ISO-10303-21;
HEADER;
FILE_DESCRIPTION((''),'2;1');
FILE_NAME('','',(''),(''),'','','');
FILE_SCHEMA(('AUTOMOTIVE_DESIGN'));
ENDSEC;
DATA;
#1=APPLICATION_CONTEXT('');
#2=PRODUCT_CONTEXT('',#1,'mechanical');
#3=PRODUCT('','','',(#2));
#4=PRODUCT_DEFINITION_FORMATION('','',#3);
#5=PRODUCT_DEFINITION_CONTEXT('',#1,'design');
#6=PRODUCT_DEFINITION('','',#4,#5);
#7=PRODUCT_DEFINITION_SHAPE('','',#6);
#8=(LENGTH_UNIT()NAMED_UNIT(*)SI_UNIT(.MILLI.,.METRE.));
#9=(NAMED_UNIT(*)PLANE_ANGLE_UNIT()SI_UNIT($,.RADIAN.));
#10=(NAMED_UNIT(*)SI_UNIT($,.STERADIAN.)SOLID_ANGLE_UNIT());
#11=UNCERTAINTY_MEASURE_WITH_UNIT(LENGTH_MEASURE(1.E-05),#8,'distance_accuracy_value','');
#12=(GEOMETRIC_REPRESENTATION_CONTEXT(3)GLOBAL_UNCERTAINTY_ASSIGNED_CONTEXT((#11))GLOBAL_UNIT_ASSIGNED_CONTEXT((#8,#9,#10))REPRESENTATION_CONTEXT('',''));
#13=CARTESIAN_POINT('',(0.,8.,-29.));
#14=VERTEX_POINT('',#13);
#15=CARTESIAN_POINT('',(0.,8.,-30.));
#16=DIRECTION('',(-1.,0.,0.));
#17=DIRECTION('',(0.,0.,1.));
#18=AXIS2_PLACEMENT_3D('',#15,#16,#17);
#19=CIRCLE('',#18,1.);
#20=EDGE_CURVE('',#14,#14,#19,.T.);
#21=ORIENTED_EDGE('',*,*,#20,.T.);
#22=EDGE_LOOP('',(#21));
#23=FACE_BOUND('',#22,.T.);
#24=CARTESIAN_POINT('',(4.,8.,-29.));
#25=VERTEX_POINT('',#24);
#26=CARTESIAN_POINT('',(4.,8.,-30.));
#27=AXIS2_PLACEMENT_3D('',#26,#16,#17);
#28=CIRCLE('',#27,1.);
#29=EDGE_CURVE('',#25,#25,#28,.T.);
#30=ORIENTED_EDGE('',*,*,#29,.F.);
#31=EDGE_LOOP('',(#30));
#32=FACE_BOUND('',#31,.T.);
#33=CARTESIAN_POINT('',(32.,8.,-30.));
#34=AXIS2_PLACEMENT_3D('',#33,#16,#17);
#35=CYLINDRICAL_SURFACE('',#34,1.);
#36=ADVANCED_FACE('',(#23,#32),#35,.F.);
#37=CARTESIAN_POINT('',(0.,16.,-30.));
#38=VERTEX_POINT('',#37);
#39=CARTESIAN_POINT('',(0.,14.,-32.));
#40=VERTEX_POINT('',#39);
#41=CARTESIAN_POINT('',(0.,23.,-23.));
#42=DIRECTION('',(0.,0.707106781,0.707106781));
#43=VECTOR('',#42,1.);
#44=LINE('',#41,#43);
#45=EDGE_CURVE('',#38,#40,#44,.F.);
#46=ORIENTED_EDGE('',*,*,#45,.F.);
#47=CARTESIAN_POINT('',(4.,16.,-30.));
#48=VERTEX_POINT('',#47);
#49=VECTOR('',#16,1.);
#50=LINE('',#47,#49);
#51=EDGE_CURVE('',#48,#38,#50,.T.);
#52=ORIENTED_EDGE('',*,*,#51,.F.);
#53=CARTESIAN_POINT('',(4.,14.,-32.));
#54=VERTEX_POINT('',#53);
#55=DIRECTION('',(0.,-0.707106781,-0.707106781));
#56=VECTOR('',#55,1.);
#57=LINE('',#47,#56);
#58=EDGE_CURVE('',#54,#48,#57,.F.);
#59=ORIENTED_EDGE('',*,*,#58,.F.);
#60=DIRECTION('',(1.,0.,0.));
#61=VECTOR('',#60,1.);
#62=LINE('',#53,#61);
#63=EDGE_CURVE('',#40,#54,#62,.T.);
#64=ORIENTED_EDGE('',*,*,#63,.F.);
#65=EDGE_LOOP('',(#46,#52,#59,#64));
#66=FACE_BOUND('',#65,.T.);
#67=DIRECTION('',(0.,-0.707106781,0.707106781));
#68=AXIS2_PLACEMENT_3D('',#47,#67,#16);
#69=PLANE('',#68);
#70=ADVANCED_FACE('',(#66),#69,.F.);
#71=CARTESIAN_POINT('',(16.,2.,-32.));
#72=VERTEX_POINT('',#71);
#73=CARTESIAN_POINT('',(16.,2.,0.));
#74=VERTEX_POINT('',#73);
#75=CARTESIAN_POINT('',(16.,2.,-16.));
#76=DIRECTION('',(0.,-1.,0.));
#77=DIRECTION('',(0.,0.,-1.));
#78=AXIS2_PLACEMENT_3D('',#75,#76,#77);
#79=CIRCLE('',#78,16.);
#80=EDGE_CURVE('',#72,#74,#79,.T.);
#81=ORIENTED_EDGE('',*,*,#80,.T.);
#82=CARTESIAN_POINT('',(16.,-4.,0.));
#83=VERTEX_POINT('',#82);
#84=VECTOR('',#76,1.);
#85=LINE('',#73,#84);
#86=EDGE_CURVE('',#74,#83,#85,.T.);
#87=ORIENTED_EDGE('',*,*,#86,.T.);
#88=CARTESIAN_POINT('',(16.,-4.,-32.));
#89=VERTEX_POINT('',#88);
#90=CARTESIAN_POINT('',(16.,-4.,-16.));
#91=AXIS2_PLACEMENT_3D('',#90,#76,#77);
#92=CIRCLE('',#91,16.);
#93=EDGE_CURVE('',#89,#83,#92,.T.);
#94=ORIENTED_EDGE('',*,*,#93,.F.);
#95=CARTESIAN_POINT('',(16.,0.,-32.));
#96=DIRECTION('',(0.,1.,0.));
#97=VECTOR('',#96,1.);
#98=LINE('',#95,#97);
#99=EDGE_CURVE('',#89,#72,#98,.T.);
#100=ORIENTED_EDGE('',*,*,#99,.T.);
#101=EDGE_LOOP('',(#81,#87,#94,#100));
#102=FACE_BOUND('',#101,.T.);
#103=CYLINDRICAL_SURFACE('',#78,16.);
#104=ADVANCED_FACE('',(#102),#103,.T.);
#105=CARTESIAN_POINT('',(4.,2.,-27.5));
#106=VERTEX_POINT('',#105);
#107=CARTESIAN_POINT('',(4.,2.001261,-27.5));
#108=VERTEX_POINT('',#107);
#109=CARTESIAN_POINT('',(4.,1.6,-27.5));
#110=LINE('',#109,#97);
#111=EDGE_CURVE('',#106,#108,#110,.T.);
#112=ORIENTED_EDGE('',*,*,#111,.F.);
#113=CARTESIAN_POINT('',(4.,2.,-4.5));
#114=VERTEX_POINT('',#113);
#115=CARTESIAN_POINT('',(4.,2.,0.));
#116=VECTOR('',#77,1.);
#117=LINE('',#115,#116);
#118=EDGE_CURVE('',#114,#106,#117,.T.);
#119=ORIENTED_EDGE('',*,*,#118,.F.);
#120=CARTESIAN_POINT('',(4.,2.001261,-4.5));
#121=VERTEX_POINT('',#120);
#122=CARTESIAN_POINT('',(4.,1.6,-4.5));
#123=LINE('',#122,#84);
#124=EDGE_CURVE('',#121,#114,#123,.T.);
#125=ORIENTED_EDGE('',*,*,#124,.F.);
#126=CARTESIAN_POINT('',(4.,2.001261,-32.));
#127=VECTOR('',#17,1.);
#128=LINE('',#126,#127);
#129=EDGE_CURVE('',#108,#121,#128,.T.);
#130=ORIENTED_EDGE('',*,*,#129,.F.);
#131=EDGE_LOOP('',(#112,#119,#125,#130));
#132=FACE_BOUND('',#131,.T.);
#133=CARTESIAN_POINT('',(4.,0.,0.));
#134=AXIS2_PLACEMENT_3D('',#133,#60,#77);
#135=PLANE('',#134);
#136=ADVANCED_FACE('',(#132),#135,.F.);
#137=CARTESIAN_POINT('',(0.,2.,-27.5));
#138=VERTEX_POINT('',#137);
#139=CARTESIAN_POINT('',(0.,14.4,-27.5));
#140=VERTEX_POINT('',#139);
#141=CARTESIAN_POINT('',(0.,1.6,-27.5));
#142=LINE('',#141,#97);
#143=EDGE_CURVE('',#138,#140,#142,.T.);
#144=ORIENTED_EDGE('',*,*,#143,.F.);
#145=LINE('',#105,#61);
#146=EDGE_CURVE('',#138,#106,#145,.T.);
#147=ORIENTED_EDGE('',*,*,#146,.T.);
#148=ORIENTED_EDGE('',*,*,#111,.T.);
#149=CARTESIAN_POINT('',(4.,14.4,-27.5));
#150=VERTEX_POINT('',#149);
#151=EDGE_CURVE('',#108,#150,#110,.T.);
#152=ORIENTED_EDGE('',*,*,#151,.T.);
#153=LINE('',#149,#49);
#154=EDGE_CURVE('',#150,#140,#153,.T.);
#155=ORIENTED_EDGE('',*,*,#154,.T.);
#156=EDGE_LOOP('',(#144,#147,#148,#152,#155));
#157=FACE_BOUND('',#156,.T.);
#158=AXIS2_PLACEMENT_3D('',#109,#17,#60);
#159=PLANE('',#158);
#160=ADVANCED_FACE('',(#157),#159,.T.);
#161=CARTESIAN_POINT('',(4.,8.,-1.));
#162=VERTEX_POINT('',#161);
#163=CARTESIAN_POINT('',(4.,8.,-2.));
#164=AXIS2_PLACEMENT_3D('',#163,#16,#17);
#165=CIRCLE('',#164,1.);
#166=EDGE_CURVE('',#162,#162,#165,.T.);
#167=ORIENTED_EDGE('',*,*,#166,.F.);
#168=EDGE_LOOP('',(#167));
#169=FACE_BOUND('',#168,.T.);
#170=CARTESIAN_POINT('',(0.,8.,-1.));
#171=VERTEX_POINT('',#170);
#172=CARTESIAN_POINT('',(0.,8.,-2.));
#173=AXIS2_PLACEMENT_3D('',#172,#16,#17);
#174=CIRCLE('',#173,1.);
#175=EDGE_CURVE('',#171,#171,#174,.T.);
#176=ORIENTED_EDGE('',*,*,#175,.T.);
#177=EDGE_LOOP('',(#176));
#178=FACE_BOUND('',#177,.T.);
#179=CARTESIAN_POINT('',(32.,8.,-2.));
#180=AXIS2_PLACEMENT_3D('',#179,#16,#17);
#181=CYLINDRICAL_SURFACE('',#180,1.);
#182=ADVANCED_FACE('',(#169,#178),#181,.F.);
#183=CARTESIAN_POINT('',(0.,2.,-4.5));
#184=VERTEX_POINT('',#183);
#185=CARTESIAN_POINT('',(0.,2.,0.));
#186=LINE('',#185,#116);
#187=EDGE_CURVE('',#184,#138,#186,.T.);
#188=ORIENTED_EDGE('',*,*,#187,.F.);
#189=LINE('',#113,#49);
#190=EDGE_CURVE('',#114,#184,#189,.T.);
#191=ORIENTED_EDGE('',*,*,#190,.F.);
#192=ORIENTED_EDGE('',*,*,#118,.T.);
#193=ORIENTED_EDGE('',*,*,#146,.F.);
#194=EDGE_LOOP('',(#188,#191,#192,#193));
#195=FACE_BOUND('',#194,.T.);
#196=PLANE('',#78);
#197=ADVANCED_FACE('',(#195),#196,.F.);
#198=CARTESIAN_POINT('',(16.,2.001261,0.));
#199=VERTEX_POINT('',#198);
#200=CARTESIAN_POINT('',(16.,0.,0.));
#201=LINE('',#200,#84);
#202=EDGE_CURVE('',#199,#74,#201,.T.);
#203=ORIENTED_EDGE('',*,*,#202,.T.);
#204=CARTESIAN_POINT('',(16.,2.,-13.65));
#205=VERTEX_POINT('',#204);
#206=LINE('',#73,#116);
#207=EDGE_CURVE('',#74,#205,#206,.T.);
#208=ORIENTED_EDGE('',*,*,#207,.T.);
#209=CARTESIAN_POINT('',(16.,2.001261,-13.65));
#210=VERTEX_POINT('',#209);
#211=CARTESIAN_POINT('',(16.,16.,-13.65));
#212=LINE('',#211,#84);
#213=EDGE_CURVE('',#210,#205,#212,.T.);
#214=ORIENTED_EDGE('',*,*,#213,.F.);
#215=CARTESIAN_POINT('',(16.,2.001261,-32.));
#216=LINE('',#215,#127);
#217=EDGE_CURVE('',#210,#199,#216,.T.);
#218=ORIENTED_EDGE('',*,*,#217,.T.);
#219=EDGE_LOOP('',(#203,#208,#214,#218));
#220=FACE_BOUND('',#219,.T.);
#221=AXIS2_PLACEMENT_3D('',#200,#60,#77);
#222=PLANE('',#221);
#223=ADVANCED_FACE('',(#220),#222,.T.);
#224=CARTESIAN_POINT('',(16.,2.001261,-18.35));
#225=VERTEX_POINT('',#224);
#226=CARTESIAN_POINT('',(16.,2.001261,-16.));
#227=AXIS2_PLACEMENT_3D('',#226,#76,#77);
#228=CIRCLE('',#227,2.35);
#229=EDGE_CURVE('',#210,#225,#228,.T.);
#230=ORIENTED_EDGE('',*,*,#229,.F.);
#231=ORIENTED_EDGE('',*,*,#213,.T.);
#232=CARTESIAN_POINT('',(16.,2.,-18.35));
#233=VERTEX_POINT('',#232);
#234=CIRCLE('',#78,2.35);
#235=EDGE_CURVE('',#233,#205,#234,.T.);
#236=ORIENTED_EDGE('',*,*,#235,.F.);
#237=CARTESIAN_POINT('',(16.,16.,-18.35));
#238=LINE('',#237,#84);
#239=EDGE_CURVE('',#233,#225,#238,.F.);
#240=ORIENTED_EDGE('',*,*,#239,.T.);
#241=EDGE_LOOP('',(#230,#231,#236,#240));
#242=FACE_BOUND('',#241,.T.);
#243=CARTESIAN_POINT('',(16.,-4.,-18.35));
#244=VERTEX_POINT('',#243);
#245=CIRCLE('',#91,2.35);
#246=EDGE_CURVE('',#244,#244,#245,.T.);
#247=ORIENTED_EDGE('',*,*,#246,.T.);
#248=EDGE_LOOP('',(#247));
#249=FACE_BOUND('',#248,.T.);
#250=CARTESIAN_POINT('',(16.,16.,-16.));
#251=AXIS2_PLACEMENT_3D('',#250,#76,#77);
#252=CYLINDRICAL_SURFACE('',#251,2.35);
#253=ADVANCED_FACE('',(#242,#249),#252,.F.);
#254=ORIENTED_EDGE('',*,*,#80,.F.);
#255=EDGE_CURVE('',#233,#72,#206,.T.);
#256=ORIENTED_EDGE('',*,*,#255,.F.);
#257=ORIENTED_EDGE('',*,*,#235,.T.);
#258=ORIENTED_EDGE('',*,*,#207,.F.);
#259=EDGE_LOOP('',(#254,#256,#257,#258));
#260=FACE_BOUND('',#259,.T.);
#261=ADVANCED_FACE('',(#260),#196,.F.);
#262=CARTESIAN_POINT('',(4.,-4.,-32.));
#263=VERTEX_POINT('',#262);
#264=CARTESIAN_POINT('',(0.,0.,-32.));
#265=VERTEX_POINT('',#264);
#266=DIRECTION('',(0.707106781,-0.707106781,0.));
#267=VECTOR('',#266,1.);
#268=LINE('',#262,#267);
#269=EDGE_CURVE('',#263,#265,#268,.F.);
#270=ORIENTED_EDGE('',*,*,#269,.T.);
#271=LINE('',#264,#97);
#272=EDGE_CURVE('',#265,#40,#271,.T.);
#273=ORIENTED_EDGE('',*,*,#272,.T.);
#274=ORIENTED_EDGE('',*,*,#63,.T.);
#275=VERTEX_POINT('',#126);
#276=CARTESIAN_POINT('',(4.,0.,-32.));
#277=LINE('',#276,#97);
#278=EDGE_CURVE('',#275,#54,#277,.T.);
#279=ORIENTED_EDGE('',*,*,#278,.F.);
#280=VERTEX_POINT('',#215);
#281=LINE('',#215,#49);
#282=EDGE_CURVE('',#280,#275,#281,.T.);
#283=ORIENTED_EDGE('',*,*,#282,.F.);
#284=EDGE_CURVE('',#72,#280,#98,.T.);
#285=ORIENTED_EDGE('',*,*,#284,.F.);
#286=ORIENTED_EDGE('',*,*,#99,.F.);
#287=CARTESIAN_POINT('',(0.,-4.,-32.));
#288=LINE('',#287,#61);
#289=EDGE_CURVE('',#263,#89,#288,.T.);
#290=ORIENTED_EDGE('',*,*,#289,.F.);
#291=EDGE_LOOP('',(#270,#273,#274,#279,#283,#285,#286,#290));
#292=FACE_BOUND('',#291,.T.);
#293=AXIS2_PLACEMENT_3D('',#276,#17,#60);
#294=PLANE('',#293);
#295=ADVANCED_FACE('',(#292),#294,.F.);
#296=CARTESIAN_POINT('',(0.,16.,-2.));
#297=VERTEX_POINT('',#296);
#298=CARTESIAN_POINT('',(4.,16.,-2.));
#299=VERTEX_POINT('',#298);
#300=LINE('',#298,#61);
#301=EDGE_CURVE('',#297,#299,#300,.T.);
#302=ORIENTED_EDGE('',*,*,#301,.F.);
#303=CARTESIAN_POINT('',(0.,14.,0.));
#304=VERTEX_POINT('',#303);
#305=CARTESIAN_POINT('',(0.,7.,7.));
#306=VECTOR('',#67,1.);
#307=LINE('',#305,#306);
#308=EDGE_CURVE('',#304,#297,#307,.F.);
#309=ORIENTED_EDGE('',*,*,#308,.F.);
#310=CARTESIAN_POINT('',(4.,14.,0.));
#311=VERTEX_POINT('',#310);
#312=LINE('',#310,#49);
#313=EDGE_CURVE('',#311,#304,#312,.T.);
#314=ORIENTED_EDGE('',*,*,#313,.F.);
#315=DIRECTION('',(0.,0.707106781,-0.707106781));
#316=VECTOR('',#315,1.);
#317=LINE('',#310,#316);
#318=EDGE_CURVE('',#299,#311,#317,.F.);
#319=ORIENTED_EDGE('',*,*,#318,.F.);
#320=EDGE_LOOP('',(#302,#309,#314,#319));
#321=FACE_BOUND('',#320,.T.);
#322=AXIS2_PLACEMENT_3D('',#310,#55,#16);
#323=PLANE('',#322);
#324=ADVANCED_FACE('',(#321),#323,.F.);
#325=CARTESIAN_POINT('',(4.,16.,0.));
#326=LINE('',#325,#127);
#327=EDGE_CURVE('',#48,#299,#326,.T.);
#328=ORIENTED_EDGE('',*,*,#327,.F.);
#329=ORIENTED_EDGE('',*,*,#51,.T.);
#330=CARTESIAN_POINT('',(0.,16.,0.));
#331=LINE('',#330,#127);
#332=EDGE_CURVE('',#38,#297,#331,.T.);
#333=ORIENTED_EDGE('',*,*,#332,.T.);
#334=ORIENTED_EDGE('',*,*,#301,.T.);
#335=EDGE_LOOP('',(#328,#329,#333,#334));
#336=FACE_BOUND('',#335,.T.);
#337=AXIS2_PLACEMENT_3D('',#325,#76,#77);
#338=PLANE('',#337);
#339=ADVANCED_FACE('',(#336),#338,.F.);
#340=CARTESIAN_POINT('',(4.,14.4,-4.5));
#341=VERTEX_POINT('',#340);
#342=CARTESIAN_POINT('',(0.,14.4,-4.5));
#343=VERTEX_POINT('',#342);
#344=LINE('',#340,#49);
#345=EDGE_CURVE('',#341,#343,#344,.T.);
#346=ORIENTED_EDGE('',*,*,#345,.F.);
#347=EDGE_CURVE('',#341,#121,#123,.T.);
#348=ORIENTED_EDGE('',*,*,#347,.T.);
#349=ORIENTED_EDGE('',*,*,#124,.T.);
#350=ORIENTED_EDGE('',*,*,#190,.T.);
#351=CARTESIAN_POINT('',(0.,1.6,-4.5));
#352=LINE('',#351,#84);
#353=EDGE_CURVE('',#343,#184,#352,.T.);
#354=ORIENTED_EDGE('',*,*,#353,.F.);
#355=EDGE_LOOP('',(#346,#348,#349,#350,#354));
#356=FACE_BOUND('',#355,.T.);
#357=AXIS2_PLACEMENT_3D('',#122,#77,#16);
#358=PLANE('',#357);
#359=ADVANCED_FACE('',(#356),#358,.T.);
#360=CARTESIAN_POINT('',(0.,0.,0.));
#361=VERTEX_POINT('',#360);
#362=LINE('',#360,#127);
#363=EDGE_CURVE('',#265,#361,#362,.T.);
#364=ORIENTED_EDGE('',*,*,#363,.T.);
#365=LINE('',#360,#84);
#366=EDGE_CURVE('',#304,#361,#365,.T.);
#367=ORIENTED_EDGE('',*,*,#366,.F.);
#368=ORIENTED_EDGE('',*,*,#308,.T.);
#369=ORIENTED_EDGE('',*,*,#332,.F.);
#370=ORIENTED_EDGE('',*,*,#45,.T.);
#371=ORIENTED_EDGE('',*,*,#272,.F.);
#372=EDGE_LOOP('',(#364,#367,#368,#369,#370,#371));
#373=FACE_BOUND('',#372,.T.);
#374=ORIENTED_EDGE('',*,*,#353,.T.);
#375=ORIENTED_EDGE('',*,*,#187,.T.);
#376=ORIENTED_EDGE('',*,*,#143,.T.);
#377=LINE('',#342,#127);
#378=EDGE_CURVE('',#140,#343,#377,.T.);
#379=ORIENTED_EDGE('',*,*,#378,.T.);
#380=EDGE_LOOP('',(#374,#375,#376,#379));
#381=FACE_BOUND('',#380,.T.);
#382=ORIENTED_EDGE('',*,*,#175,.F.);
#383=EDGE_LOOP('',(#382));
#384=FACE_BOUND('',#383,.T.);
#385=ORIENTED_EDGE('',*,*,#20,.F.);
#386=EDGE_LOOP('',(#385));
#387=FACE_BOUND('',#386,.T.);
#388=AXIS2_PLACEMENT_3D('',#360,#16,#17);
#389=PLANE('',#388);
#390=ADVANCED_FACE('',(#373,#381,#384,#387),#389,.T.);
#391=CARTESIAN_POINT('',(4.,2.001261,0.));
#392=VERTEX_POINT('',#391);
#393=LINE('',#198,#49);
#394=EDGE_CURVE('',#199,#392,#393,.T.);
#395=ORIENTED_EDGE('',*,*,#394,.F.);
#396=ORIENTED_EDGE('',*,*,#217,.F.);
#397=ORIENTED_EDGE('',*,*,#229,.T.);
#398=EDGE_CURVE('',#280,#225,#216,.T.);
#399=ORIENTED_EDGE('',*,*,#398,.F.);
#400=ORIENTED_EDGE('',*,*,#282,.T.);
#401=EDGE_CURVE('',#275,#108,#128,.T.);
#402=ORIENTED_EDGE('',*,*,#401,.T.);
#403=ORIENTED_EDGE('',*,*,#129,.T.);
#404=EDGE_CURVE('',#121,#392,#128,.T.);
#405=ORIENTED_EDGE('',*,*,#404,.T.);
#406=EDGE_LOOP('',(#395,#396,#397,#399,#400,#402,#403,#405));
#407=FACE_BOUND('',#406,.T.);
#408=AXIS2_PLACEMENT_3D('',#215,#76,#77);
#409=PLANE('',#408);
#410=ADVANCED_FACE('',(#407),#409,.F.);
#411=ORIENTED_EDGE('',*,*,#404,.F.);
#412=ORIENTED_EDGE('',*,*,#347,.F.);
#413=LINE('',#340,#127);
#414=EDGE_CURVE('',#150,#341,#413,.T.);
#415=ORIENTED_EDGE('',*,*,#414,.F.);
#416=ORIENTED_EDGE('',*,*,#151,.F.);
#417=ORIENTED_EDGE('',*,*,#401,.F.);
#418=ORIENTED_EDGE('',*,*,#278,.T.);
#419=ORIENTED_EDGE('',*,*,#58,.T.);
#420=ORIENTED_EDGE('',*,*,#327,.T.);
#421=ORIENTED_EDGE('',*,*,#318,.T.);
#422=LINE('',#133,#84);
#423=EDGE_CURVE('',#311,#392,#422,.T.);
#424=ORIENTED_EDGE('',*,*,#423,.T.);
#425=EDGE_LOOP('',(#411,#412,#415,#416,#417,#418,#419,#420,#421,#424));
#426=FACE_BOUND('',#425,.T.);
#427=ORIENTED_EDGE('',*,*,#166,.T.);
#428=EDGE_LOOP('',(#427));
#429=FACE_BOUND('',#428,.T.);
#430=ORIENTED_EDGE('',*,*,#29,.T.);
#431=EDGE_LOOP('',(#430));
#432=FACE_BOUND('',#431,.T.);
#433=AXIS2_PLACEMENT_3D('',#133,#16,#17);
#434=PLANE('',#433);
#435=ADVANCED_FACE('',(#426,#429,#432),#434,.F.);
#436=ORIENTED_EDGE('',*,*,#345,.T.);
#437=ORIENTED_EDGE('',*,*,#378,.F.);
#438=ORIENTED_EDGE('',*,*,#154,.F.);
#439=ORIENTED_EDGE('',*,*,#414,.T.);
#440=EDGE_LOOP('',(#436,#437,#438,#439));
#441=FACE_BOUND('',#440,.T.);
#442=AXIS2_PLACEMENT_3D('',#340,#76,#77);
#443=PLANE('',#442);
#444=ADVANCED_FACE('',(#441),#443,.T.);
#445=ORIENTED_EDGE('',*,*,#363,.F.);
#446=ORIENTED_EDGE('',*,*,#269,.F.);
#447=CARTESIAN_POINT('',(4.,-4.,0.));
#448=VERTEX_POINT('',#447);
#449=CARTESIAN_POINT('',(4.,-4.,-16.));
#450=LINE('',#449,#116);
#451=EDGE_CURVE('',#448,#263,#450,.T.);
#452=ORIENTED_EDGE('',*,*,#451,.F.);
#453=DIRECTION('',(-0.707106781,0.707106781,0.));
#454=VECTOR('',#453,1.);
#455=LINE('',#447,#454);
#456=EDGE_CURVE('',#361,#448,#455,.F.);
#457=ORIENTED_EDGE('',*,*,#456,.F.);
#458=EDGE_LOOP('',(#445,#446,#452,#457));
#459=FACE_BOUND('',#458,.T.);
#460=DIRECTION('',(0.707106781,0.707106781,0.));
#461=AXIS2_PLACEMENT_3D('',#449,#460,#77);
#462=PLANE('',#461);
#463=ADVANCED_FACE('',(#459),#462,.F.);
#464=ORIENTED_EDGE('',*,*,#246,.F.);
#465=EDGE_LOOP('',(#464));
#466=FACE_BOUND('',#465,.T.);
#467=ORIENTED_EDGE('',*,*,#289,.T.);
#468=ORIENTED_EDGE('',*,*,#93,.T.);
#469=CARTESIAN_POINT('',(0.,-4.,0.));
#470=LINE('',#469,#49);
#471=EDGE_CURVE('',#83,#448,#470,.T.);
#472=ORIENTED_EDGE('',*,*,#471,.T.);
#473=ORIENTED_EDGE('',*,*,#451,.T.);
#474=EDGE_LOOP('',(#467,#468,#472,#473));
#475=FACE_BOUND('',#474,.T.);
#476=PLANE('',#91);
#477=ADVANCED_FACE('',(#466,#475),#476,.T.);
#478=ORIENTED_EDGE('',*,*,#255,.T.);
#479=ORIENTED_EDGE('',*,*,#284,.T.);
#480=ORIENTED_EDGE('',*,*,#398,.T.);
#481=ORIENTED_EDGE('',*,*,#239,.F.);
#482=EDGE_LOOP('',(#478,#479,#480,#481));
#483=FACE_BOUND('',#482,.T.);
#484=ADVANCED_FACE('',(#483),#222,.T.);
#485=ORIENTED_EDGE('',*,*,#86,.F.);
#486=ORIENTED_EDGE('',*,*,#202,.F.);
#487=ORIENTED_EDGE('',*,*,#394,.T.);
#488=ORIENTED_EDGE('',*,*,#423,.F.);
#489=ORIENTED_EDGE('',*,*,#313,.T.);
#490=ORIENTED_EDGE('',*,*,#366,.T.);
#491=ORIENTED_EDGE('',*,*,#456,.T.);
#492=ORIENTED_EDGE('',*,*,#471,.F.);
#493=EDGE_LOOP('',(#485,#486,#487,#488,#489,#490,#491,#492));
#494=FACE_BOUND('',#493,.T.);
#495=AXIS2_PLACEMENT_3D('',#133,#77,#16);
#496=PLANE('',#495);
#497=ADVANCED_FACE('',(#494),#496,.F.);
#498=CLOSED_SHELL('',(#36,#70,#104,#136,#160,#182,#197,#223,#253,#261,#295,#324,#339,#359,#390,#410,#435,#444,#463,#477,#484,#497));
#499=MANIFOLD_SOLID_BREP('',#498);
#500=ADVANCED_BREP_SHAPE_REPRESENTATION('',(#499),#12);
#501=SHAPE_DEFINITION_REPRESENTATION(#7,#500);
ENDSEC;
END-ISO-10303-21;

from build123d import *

# Parameters (mm, degrees)
SKETCH1_W                = 32
SKETCH1_H                = 16
SKETCH1_W_2              = 23
SKETCH1_H_2              = 12.8
BOSS_EXTRUDE1_DEPTH      = 4
SKETCH3_W                = 32
SKETCH3_H                = 2.001260946
BOSS_EXTRUDE3_DEPTH      = 12
BOSS_EXTRUDE5_DEPTH      = 4
BOSS_EXTRUDE5_DEPTH_BACK = 2
CHAMFER1_SIZE            = 4
SKETCH8_R                = 2.35
CUT_EXTRUDE2_DEPTH       = 50.477267507
SKETCH9_R                = 1
CUT_EXTRUDE3_DEPTH       = 49
CHAMFER2_SIZE            = 2


with BuildPart() as part:
    # Sketch1 → Boss-Extrude1 (new body)
    with BuildSketch(Plane(origin=(0, 0, 0), x_dir=(0, 0, -1), z_dir=(1, 0, 0))):
        with Locations((16, 8)):
            Rectangle(SKETCH1_W, SKETCH1_H)
        with Locations((16, 8)):
            Rectangle(SKETCH1_W_2, SKETCH1_H_2, mode=Mode.SUBTRACT)
    extrude(amount=BOSS_EXTRUDE1_DEPTH)

    # Sketch3 → Boss-Extrude3 (add)
    with BuildSketch(Plane(origin=(4, 0, 0), x_dir=(0, 0, -1), z_dir=(1, 0, 0))):
        with Locations((16, 1.000630473)):
            Rectangle(SKETCH3_W, SKETCH3_H)
    extrude(amount=BOSS_EXTRUDE3_DEPTH)

    # Sketch7 → Boss-Extrude5 (add, two sides: drawn at the far end of the back side and taken through both)
    with BuildSketch(Plane.XZ.offset(-BOSS_EXTRUDE5_DEPTH_BACK)):
        with BuildLine():
            Line((0, 0), (16, 0))
            ThreePointArc((16, 0), (32, -16), (16, -32))
            Line((16, -32), (0, -32))
            Line((0, -32), (0, 0))
        make_face()
    extrude(amount=BOSS_EXTRUDE5_DEPTH + BOSS_EXTRUDE5_DEPTH_BACK)

    # Chamfer1
    chamfer1_edges = [part.edges().sort_by_distance(p)[0] for p in [
        (0, -4, -16),
    ]]
    chamfer(chamfer1_edges, length=CHAMFER1_SIZE)

    # Sketch8 → Cut-Extrude2 (cut, through all)
    with BuildSketch(Plane.XZ.offset(4)):
        with Locations(Location((16, -16, 0), (0, 0, 270))):
            Circle(SKETCH8_R)
    extrude(amount=-CUT_EXTRUDE2_DEPTH, mode=Mode.SUBTRACT)

    # Sketch9 → Cut-Extrude3 (cut, through all)
    with BuildSketch(Plane.ZY):
        with Locations((-30, 8)):
            Circle(SKETCH9_R)
        with Locations((-2, 8)):
            Circle(SKETCH9_R)
    extrude(amount=-CUT_EXTRUDE3_DEPTH, mode=Mode.SUBTRACT)

    # Chamfer2
    chamfer2_edges = [part.edges().sort_by_distance(p)[0] for p in [
        (2, 16, 0),
        (2, 16, -32),
    ]]
    chamfer(chamfer2_edges, length=CHAMFER2_SIZE)


solid = part.part
